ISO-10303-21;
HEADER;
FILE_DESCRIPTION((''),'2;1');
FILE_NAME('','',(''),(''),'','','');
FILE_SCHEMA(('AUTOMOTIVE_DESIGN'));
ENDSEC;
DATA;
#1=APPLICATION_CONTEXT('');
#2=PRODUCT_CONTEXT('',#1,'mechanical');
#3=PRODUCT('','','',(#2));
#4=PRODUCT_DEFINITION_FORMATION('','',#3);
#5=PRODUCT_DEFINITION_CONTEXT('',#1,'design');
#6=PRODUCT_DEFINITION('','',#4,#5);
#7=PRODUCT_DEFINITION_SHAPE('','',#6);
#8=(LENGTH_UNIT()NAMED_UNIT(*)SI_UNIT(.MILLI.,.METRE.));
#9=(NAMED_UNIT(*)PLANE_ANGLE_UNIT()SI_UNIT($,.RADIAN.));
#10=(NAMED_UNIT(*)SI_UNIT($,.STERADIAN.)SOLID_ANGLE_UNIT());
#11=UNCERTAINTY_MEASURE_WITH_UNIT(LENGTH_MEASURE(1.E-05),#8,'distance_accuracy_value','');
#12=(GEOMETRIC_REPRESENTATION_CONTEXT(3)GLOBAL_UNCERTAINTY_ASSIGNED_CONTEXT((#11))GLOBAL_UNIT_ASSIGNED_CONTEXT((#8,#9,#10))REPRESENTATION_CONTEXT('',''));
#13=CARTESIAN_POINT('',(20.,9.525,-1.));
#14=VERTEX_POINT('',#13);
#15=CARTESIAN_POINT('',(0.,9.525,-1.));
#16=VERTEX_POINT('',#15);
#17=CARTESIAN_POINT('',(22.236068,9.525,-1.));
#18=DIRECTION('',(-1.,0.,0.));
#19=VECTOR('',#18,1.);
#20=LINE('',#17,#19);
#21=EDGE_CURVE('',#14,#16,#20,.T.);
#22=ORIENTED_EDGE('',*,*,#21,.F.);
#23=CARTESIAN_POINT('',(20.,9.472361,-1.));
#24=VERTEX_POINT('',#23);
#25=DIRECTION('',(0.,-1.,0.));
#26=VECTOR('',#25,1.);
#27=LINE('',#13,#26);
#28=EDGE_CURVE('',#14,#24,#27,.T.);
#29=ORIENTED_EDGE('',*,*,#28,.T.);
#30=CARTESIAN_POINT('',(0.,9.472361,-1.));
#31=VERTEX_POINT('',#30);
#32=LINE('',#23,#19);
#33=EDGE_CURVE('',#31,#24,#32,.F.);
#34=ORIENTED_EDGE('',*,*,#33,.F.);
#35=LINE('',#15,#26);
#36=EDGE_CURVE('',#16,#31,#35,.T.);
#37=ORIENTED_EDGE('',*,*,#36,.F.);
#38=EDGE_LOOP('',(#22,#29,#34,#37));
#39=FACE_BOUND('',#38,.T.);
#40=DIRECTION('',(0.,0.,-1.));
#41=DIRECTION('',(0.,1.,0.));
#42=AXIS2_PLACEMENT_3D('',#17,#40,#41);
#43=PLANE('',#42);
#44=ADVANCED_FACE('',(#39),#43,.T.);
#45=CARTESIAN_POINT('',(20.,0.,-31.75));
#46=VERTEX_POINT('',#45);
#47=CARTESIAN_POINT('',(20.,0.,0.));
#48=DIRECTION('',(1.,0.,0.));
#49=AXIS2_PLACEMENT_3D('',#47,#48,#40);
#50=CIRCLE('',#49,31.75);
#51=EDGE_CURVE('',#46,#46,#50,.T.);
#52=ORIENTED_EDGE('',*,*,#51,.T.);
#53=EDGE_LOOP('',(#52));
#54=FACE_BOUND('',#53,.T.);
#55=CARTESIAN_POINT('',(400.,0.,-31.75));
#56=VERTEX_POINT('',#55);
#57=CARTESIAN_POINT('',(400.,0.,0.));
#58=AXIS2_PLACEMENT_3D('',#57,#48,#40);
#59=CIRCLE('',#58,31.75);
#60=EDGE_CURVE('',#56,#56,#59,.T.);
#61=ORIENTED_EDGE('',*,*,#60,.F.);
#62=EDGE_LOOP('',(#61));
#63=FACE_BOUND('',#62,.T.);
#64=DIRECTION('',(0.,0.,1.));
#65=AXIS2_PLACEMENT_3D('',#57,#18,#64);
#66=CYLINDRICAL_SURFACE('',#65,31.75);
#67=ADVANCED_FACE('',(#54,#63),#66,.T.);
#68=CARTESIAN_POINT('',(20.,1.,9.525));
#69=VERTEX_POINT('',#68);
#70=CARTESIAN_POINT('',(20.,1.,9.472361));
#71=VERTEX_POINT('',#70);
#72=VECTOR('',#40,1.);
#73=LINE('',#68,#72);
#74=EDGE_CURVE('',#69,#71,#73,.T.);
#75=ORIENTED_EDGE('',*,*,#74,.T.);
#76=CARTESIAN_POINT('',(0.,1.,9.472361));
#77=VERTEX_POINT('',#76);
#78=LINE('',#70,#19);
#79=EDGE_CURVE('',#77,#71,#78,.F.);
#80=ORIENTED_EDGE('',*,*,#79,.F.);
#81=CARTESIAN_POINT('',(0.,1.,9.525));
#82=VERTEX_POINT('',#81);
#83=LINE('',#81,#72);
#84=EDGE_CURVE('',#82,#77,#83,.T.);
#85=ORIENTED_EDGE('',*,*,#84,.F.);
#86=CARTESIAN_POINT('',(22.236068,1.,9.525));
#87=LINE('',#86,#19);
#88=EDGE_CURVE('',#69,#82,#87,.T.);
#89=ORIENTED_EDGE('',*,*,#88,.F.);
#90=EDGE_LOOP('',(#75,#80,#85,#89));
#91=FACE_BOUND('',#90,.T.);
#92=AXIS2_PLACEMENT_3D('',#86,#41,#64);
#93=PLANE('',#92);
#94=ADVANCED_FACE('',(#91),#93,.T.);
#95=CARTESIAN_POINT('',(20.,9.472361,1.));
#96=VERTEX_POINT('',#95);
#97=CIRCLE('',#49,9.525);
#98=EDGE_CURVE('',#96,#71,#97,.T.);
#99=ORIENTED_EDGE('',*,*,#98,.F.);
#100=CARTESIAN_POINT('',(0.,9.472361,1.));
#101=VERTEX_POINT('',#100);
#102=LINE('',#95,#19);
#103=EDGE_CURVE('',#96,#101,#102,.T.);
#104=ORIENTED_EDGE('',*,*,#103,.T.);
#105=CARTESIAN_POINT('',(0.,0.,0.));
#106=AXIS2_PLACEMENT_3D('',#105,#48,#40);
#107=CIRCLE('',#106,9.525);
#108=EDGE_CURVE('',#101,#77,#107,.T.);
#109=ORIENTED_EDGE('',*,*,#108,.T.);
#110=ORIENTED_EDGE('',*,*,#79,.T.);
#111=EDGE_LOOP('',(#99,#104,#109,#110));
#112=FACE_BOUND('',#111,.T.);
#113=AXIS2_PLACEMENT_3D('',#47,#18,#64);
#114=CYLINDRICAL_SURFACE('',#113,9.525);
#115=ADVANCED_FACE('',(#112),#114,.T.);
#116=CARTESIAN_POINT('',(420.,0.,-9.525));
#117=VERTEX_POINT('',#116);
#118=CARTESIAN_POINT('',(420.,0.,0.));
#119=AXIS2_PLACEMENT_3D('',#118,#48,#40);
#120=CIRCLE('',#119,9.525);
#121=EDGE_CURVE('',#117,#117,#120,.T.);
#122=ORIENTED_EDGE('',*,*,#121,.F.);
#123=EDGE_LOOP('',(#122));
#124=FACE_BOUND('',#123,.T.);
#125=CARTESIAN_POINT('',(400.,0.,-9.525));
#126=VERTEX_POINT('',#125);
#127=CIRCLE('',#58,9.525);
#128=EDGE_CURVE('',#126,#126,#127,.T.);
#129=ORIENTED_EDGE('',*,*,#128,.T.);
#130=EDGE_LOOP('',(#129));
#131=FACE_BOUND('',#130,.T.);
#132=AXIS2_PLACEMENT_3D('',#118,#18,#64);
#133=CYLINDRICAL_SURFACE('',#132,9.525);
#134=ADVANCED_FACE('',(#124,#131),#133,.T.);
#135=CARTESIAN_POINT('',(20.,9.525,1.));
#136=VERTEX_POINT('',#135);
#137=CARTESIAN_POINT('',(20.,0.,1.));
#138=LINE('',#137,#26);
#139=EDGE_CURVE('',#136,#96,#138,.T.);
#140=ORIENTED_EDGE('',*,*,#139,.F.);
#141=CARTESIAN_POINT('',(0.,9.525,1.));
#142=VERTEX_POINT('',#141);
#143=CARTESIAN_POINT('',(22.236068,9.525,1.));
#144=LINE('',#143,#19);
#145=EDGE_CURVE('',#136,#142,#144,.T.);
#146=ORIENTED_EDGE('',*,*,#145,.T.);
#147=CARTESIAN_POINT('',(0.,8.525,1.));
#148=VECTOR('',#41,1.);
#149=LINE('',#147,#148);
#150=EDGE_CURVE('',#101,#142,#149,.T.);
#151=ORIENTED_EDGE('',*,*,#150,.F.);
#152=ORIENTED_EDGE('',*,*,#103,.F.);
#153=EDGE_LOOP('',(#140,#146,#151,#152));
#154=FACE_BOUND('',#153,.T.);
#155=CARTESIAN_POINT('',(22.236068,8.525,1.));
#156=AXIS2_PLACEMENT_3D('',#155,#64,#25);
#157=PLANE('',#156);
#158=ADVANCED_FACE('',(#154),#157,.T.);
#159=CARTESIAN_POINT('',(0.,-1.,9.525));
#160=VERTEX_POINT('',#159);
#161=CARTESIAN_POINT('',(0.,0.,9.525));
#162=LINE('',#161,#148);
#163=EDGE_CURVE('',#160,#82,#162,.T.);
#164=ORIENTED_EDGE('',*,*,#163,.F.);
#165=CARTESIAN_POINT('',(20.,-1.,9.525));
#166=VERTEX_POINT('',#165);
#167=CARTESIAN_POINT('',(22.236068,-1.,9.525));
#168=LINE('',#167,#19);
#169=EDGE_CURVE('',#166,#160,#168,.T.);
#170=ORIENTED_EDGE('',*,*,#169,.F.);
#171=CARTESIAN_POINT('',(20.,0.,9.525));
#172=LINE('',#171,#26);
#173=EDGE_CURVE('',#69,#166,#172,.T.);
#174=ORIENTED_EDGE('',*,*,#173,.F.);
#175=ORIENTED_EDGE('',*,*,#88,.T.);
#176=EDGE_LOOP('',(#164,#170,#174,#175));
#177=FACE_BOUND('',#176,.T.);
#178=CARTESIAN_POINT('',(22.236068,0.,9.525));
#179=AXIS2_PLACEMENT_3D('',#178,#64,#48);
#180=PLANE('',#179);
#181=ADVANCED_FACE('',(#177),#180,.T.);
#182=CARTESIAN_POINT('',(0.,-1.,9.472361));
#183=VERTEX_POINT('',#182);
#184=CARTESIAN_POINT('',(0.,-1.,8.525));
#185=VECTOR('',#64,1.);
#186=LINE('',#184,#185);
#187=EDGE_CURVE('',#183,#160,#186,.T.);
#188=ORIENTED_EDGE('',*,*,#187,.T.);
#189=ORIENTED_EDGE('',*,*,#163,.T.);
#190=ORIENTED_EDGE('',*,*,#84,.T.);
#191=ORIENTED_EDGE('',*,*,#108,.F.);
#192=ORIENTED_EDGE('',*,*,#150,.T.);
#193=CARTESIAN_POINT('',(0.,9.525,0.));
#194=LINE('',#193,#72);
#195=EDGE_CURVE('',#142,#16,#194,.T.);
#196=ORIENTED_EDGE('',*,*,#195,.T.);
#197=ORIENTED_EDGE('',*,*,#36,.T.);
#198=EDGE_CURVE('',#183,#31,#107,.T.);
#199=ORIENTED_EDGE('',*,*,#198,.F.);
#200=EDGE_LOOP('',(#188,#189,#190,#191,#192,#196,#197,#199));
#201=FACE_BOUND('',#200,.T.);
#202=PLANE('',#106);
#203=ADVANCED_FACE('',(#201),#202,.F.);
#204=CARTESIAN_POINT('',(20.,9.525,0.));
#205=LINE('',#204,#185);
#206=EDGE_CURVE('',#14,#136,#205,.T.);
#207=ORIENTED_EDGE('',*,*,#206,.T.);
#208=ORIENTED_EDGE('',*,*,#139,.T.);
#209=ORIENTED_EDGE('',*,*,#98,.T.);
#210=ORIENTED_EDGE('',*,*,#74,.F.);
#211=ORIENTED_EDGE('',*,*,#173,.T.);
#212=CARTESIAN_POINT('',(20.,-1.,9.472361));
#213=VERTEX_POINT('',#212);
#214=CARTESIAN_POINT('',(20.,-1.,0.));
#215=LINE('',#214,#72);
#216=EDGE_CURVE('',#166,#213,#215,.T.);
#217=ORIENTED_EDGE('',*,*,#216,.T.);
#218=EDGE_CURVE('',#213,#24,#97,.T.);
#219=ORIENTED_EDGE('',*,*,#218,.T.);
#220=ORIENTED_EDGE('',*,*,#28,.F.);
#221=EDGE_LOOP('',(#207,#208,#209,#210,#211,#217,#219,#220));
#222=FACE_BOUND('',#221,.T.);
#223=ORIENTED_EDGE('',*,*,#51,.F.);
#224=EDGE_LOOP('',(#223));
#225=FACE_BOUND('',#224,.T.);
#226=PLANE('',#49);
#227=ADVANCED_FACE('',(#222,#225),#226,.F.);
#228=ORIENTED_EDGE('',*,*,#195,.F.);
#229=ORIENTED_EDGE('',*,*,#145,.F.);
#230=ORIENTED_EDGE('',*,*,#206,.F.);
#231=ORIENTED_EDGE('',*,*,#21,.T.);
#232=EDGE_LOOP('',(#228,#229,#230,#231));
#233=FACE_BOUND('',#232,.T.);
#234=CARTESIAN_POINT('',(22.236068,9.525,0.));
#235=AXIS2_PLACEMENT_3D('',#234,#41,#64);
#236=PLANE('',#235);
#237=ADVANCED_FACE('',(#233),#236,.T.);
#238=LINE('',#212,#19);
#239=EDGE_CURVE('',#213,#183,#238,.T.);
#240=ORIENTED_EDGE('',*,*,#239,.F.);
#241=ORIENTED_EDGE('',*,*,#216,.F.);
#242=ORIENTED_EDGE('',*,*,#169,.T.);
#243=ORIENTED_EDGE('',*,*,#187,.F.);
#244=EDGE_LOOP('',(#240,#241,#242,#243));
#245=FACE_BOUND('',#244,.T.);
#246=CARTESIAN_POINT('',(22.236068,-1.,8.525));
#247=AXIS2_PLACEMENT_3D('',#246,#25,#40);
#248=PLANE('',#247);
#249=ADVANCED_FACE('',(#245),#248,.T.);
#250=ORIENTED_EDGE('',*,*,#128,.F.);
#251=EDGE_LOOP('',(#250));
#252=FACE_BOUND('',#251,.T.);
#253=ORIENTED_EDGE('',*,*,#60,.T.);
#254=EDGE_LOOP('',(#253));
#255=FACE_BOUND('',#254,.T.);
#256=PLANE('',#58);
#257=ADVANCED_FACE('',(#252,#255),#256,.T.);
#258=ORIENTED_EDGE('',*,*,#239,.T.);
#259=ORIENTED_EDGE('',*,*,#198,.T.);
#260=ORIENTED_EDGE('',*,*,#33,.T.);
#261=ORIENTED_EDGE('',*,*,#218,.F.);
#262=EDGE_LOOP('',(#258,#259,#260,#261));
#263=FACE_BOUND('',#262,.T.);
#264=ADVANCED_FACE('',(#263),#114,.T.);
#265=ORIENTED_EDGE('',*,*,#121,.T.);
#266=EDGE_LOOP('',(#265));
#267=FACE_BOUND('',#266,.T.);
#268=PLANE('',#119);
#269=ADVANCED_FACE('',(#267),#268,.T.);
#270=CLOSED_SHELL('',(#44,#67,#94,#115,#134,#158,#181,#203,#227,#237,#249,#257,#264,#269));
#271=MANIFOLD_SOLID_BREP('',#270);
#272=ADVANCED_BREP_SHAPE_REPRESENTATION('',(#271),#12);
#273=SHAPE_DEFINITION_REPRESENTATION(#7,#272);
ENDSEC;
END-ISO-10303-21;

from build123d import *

# Parameters (mm, degrees)
CROQUIS1_R              = 9.525
SALIENTE_EXTRUIR1_DEPTH = 20
CROQUIS2_R              = 31.75
SALIENTE_EXTRUIR2_DEPTH = 380
CROQUIS3_R              = 9.525
SALIENTE_EXTRUIR3_DEPTH = 20
SALIENTE_EXTRUIR4_DEPTH = 20


with BuildPart() as part:
    # Croquis1 → Saliente-Extruir1 (new body)
    with BuildSketch(Plane(origin=(0, 0, 0), x_dir=(0, 0, -1), z_dir=(1, 0, 0))):
        Circle(CROQUIS1_R)
    extrude(amount=SALIENTE_EXTRUIR1_DEPTH)

    # Croquis2 → Saliente-Extruir2 (add)
    with BuildSketch(Plane(origin=(20, 0, 0), x_dir=(0, 0, -1), z_dir=(1, 0, 0))):
        Circle(CROQUIS2_R)
    extrude(amount=SALIENTE_EXTRUIR2_DEPTH)

    # Croquis3 → Saliente-Extruir3 (add)
    with BuildSketch(Plane(origin=(400, 0, 0), x_dir=(0, 0, -1), z_dir=(1, 0, 0))):
        Circle(CROQUIS3_R)
    extrude(amount=SALIENTE_EXTRUIR3_DEPTH)

    # Croquis4 → Saliente-Extruir4 (add)
    with BuildSketch(Plane.ZY):
        Polygon((0, 9.525), (-1, 9.525), (-1, 8.525), (1, 8.525), (1, 9.525), align=None)
        Polygon((9.525, 0), (9.525, 1), (8.525, 1), (8.525, -1), (9.525, -1), align=None)
    extrude(amount=-SALIENTE_EXTRUIR4_DEPTH)


solid = part.part
